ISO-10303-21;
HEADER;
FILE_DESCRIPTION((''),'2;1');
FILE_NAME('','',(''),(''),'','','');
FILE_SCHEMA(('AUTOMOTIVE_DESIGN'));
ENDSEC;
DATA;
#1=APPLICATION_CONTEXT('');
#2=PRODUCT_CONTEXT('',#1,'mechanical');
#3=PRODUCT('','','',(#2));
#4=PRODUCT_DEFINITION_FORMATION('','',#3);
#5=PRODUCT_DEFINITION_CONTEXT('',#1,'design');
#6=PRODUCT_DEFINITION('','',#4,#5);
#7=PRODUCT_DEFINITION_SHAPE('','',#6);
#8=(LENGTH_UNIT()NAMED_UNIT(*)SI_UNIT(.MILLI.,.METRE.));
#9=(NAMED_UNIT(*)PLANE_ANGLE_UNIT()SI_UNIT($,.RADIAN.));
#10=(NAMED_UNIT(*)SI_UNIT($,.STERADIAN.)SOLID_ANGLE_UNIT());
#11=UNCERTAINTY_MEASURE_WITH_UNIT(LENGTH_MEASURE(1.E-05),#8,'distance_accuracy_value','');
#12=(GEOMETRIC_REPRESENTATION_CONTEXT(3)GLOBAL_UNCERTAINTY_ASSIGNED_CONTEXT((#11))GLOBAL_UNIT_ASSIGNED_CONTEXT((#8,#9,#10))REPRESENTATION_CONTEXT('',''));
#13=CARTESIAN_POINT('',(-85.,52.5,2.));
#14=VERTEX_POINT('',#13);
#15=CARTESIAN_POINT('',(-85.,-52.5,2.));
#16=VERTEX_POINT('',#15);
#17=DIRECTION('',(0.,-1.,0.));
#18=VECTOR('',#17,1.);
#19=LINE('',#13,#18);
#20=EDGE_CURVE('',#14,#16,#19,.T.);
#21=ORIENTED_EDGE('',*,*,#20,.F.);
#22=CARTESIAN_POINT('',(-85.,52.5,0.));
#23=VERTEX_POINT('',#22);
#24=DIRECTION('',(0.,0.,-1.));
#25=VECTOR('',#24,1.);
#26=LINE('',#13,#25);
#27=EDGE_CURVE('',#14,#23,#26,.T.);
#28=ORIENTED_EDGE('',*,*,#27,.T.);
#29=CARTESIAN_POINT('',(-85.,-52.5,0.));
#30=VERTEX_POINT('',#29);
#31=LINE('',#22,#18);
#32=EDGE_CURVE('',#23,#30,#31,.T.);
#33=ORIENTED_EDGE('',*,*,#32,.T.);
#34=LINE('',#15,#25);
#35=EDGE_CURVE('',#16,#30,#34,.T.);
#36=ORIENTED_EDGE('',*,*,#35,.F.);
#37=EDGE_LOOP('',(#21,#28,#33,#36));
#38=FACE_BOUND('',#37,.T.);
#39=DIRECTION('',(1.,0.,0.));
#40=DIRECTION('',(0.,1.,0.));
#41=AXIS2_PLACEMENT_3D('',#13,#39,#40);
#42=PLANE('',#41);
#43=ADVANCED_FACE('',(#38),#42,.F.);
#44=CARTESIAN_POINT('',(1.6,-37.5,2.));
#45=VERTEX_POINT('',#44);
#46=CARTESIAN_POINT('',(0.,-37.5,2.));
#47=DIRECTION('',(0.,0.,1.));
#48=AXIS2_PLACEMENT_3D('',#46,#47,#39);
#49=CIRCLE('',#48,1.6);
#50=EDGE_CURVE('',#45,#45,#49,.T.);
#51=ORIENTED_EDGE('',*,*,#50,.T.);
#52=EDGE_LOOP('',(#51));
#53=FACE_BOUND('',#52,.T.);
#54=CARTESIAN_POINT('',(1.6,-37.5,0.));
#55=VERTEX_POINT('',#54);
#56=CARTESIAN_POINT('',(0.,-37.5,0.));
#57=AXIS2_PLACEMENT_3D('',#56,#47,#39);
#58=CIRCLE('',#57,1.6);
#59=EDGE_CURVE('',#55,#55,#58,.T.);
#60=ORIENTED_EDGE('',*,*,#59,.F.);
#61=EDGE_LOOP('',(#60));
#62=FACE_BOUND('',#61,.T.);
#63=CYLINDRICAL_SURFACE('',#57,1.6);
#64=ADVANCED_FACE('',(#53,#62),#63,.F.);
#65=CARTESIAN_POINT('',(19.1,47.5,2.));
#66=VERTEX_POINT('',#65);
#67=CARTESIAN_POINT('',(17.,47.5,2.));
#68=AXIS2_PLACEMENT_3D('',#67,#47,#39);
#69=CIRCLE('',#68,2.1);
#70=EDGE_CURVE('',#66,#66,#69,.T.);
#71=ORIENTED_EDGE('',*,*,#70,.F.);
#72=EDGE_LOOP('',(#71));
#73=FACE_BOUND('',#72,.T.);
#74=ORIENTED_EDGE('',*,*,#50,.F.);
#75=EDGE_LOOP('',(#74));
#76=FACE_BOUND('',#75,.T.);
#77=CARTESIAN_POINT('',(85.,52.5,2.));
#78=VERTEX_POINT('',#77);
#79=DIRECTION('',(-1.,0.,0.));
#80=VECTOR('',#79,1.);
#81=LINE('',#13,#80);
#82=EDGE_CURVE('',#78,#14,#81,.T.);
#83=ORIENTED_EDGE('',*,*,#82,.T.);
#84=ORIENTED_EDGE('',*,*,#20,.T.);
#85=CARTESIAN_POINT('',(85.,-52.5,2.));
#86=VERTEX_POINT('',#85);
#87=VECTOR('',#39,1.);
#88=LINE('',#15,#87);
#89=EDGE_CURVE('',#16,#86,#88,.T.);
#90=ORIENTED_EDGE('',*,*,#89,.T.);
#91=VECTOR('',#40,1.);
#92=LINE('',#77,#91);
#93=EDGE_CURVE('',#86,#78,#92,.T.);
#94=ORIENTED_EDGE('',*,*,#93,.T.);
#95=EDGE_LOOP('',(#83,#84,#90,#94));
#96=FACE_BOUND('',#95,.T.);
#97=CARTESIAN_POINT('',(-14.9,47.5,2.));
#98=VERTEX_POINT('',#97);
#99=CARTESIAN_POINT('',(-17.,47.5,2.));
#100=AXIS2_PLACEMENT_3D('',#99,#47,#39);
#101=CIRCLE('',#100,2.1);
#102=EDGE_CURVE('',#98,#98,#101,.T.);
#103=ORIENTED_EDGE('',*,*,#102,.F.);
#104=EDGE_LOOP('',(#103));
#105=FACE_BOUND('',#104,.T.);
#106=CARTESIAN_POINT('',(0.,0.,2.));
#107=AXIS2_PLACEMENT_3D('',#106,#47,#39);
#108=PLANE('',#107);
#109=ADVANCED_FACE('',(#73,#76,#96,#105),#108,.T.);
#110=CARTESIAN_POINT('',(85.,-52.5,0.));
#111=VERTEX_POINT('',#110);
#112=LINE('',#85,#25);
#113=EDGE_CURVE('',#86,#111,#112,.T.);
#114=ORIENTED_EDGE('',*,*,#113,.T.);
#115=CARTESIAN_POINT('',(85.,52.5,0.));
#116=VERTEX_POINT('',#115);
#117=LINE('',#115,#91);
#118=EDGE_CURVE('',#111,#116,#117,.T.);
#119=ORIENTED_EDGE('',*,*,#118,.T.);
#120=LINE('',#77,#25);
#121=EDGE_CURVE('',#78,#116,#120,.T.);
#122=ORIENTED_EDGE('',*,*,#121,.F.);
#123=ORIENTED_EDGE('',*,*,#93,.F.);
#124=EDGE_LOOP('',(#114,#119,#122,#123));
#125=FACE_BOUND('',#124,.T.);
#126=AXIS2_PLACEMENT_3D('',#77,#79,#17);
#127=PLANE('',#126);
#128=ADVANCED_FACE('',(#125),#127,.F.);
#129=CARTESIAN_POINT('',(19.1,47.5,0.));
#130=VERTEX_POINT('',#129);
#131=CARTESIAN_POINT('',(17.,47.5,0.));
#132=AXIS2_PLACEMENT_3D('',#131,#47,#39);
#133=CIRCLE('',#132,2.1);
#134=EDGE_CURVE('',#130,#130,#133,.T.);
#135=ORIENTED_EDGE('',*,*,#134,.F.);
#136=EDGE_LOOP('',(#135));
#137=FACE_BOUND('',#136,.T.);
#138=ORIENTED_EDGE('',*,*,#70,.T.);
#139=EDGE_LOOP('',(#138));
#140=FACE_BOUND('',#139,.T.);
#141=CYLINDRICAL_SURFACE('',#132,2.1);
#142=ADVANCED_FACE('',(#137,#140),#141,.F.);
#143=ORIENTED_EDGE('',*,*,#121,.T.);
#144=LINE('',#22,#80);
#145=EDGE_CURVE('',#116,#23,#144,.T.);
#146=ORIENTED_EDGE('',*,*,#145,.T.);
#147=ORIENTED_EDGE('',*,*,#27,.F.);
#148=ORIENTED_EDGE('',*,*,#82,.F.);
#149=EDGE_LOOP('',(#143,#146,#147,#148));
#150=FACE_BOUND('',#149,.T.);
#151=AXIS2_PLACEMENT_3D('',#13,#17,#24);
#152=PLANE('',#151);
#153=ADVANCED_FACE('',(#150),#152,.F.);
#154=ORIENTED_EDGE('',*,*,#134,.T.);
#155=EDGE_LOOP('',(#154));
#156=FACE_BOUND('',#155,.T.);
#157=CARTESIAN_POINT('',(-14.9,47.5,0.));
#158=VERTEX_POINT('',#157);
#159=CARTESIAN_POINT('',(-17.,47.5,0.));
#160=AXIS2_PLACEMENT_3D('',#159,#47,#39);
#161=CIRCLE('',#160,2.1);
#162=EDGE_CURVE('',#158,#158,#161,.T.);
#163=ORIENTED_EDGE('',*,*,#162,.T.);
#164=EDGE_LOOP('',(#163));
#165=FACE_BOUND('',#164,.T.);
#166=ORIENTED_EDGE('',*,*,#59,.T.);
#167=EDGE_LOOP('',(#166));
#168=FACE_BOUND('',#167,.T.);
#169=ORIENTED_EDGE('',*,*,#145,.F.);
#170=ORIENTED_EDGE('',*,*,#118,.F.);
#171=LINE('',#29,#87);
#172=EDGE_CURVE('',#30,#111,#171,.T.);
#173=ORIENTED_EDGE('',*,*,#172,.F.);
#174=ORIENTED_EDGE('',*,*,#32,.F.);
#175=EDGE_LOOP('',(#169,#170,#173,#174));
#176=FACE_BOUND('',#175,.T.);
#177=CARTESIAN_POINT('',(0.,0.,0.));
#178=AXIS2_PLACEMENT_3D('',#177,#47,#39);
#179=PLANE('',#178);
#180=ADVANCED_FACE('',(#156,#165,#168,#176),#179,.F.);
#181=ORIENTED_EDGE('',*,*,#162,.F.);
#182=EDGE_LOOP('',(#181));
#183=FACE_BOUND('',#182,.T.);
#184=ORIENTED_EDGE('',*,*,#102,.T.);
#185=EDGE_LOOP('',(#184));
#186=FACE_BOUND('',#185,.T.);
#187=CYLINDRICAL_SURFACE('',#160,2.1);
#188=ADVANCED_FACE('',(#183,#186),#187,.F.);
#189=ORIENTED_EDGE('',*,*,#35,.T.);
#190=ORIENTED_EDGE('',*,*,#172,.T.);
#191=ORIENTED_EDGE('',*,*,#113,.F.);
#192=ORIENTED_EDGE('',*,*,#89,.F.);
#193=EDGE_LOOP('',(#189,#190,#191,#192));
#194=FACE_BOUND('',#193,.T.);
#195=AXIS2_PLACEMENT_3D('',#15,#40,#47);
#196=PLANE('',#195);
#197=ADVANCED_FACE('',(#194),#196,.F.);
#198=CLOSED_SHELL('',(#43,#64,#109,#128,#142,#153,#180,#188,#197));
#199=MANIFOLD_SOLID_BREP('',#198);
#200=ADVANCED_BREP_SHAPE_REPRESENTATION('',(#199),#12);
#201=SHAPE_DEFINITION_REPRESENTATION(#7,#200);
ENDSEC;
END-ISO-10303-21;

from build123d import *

# Parameters (mm, degrees)
SKETCH_1_W          = 170
SKETCH_1_H          = 105
EXTRUDE_1_DEPTH     = 2
SKETCH_2_R          = 1.6
SKETCH_2_R_2        = 2.1
CUT_EXTRUDE_1_DEPTH = 2


with BuildPart() as part:
    # ｽｹｯﾁ1 → ﾎﾞｽ - 押し出し1 (new body)
    with BuildSketch(Plane.XY):
        Rectangle(SKETCH_1_W, SKETCH_1_H)
    extrude(amount=EXTRUDE_1_DEPTH)

    # ｽｹｯﾁ2 → ｶｯﾄ - 押し出し1 (cut)
    with BuildSketch(Plane.XY.offset(2)):
        with Locations((0, -37.5)):
            Circle(SKETCH_2_R)
        with Locations((17, 47.5)):
            Circle(SKETCH_2_R_2)
        with Locations((-17, 47.5)):
            Circle(SKETCH_2_R_2)
    extrude(amount=-CUT_EXTRUDE_1_DEPTH, mode=Mode.SUBTRACT)


solid = part.part
